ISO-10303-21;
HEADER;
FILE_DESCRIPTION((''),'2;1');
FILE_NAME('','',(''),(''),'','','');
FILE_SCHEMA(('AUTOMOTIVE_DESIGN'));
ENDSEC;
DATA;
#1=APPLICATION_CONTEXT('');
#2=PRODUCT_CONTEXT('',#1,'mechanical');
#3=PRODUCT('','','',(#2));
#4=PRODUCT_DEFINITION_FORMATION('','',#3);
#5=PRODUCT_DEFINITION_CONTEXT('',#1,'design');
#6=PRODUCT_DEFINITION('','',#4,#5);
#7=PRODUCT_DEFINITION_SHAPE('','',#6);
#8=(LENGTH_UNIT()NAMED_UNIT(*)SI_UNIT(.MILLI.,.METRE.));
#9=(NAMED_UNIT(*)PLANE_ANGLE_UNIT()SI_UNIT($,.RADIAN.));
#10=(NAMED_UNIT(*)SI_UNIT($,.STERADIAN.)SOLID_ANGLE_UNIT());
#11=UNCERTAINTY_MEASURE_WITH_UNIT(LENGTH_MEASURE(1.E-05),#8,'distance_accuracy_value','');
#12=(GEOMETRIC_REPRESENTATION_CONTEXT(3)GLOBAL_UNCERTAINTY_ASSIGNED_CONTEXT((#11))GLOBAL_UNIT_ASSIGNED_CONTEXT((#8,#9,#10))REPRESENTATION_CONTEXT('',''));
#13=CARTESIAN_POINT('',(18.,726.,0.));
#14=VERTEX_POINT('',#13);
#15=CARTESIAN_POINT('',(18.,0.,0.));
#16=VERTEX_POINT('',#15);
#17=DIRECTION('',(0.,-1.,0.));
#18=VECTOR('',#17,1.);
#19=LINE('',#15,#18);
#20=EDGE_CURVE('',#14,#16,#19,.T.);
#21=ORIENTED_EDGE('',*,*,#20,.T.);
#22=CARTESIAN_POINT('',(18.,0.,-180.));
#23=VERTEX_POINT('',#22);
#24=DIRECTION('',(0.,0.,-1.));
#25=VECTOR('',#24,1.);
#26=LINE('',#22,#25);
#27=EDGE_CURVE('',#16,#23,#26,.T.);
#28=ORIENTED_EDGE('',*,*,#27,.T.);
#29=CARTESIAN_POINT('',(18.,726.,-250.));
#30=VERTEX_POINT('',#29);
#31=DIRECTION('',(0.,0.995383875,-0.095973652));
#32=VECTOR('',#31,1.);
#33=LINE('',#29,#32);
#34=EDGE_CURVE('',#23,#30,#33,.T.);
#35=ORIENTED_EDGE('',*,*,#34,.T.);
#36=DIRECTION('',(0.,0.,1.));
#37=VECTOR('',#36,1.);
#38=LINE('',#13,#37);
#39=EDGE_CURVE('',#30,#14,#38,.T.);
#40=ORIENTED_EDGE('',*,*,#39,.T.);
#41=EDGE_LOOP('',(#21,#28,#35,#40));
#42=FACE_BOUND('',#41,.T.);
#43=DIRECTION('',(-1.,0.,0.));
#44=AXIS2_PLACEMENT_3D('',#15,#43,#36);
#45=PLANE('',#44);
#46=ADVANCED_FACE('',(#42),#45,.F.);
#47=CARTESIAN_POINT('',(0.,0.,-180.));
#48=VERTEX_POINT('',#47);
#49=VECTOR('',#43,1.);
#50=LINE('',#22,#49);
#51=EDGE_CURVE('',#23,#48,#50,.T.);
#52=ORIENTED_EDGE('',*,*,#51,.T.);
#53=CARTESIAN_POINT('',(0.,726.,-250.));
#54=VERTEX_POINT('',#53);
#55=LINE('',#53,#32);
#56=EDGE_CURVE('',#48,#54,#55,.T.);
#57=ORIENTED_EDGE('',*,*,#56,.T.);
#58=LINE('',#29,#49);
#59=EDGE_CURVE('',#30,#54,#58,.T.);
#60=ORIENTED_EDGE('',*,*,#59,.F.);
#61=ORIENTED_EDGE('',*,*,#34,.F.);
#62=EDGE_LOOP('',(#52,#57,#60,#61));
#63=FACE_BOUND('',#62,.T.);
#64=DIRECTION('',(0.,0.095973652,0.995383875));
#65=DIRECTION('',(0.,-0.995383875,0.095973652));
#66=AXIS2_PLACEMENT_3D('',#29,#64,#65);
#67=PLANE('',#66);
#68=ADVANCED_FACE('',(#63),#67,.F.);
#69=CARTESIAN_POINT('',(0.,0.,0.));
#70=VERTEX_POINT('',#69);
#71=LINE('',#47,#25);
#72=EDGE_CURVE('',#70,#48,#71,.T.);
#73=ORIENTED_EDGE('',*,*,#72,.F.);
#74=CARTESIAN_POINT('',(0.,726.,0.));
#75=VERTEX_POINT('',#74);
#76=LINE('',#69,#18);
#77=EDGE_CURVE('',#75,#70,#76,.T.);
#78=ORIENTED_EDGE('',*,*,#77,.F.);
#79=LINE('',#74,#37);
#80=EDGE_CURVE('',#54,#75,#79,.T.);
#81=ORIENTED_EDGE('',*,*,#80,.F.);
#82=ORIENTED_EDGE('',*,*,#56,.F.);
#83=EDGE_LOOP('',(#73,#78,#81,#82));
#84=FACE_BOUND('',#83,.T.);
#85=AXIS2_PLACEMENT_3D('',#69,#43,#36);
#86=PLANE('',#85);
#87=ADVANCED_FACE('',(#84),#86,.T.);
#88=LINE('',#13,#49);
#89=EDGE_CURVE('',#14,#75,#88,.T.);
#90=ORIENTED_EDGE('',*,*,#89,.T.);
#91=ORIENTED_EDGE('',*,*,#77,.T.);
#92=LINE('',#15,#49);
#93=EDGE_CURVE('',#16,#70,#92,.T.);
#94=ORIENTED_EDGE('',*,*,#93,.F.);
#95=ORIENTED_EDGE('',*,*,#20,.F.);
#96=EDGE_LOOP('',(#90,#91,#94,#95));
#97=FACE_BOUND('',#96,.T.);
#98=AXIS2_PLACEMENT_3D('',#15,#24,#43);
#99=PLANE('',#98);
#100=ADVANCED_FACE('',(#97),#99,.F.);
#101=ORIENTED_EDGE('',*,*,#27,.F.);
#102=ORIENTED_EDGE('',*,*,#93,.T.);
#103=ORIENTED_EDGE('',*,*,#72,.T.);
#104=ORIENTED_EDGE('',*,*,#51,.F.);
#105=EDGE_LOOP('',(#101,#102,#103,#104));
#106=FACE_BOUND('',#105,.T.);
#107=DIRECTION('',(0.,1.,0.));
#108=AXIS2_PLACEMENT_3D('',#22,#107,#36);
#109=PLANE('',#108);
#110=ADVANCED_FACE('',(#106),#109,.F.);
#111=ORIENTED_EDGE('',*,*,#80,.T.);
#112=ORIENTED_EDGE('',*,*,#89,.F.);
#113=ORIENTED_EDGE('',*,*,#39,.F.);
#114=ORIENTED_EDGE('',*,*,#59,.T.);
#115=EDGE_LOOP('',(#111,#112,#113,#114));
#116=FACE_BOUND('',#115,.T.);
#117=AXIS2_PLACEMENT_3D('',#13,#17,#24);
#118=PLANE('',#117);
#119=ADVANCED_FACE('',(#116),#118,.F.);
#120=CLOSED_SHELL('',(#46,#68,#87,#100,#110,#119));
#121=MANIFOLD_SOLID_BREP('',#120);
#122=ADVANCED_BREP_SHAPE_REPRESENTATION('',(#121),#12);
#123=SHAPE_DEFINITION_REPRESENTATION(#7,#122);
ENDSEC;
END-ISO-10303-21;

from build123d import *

# Parameters (mm, degrees)
BOSS_EXTRUDE1_DEPTH = 18


with BuildPart() as part:
    # Sketch1 → Boss-Extrude1 (new body)
    with BuildSketch(Plane(origin=(0, 0, 0), x_dir=(0, 0, -1), z_dir=(1, 0, 0))):
        Polygon((0, 0), (0, 726), (250, 726), (180, 0), align=None)
    extrude(amount=BOSS_EXTRUDE1_DEPTH)


solid = part.part
